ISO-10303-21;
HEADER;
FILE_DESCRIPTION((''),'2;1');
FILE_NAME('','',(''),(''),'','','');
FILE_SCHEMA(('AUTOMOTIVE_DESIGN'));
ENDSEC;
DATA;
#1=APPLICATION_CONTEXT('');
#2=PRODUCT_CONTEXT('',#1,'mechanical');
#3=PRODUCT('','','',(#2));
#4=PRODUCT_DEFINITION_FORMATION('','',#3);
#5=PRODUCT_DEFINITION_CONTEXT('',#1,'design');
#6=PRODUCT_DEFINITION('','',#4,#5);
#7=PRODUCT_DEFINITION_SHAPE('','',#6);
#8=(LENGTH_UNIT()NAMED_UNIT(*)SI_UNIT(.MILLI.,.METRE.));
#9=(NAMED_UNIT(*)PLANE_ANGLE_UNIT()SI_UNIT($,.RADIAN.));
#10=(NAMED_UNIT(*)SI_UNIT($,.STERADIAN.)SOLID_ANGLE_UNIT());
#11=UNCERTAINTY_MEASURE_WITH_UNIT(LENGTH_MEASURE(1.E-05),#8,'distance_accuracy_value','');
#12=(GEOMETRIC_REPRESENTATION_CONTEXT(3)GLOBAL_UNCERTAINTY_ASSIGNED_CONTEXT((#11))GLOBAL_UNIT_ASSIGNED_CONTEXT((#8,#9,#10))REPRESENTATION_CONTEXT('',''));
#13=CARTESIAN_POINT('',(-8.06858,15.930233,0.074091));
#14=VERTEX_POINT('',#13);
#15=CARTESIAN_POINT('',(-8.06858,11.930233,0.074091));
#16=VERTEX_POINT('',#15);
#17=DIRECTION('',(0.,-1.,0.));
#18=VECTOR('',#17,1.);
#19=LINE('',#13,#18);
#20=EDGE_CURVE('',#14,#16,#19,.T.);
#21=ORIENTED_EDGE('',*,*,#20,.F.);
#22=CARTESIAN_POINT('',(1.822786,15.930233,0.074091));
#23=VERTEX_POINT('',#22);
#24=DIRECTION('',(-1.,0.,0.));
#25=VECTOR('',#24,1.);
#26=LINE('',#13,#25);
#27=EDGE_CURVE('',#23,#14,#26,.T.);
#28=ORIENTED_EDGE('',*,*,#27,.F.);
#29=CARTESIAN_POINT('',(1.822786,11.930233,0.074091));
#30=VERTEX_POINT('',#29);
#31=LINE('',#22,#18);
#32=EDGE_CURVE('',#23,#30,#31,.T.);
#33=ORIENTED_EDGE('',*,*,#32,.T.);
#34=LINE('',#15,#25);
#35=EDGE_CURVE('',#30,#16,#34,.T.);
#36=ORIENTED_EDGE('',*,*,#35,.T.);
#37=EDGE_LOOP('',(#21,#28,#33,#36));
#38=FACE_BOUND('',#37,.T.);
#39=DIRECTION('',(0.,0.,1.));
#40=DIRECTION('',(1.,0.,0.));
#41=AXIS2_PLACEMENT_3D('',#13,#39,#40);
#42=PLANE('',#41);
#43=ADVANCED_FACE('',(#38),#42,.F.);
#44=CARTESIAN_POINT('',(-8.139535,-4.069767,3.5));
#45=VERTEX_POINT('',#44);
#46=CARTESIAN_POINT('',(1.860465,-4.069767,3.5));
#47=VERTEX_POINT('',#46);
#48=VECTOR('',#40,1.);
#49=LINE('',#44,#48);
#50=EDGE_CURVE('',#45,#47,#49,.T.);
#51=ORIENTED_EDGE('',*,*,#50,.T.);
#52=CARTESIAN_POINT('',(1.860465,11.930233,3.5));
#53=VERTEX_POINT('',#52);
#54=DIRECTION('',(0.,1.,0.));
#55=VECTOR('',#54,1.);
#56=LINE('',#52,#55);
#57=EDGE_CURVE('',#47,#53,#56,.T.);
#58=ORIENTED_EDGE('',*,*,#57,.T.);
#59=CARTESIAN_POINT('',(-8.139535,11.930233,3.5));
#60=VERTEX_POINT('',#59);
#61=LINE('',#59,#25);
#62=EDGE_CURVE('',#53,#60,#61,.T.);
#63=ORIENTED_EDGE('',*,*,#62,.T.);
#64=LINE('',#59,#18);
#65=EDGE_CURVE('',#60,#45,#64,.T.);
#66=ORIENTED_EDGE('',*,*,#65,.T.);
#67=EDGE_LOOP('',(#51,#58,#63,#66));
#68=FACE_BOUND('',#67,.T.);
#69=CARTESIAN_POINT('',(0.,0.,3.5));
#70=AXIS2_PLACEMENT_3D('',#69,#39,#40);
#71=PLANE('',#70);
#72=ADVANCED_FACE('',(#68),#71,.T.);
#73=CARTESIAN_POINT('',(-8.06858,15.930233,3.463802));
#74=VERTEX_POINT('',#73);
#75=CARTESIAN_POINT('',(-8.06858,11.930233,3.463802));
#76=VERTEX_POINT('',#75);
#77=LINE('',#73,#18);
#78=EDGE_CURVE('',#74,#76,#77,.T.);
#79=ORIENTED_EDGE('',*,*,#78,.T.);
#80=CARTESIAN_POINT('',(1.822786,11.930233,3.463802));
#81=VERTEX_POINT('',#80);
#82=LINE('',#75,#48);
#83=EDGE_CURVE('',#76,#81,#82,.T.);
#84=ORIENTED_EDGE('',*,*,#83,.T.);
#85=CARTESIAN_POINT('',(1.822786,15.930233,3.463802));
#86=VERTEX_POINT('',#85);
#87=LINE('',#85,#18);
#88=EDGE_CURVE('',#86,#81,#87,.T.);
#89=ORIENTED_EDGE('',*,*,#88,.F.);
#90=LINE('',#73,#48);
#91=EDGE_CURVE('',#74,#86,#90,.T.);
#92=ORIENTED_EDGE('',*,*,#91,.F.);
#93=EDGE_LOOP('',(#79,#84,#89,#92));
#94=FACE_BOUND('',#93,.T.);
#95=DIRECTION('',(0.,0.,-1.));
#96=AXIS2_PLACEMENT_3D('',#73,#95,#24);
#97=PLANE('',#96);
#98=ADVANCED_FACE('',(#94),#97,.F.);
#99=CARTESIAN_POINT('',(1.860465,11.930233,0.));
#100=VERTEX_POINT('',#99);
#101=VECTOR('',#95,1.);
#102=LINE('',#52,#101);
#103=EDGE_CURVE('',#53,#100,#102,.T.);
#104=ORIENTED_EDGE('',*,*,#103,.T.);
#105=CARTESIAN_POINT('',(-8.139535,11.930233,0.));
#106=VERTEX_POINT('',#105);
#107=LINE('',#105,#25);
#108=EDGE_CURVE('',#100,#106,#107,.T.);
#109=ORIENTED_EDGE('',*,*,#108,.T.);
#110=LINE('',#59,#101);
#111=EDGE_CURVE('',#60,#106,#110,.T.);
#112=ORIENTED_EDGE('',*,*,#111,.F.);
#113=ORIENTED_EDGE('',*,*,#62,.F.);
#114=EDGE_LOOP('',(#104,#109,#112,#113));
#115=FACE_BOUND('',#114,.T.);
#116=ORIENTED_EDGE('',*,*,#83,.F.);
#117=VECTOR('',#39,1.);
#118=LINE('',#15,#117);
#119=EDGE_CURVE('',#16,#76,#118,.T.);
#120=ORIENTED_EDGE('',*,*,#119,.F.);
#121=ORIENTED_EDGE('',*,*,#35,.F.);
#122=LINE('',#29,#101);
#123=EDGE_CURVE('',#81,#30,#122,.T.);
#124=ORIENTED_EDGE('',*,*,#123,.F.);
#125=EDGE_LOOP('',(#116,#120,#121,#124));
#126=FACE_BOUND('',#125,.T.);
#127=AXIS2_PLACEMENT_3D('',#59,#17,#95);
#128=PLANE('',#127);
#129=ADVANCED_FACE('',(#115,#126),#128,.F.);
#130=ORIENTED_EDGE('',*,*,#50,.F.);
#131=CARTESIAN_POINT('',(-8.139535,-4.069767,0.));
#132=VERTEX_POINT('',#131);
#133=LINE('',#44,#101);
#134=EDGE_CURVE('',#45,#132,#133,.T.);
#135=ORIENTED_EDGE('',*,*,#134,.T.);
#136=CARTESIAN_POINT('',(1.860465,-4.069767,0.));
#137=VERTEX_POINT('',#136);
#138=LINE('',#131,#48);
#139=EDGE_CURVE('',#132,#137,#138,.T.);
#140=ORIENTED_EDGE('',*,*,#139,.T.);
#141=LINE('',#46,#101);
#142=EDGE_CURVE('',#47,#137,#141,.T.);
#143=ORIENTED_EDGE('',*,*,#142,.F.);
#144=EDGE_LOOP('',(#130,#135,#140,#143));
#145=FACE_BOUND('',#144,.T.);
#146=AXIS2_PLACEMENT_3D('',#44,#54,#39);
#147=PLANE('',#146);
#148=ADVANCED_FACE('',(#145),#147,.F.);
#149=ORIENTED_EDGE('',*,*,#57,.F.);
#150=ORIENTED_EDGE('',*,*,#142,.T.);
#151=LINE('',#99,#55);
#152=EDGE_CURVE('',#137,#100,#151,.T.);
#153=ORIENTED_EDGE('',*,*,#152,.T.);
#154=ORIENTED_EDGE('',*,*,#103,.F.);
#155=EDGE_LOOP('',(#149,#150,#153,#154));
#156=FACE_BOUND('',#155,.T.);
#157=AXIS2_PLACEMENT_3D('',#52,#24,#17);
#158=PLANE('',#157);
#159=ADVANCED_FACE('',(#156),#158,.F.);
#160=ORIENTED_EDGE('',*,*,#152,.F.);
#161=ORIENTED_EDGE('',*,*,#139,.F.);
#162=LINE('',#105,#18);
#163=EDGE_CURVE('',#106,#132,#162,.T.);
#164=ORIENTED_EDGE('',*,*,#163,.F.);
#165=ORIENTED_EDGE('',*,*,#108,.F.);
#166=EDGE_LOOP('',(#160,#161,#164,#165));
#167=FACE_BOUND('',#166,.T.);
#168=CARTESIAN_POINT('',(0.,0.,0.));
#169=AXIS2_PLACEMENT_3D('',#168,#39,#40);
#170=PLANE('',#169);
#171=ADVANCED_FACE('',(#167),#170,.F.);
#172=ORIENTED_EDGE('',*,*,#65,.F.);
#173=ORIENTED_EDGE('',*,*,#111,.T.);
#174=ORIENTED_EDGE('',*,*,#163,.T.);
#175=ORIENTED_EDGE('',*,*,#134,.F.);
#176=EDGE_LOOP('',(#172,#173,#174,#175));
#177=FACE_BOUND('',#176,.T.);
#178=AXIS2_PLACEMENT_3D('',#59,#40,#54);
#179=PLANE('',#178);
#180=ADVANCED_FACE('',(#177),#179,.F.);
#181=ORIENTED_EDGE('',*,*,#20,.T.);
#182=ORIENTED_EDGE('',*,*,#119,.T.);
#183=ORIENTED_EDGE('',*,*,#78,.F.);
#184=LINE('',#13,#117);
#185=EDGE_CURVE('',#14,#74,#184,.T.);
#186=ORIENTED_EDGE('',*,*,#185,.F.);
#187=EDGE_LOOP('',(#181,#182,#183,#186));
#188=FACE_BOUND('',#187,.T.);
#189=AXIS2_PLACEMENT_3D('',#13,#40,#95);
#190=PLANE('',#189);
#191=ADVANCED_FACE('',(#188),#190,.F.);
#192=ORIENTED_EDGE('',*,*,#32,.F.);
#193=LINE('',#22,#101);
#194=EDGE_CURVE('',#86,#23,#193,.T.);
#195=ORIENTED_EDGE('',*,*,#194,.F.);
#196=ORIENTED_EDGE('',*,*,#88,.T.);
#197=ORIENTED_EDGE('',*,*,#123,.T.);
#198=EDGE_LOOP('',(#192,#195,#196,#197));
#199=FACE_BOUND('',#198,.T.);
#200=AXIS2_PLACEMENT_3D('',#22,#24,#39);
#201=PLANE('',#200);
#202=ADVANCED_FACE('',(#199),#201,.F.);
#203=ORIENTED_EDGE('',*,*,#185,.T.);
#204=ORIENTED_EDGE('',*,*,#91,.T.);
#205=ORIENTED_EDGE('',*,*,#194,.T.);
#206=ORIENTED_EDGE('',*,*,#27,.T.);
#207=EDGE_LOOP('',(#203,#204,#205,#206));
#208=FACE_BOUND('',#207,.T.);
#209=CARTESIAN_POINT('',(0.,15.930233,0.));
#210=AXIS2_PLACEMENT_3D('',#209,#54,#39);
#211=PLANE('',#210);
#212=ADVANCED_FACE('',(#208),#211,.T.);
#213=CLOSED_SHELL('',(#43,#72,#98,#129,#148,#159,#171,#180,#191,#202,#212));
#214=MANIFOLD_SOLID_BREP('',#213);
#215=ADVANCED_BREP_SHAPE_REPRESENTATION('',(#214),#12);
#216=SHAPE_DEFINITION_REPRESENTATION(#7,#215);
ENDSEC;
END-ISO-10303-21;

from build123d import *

# Parameters (mm, degrees)
SKETCH1_W           = 10
SKETCH1_H           = 16
BOSS_EXTRUDE1_DEPTH = 3.5
SKETCH3_W           = 9.891365743
SKETCH3_H           = 3.389710688
BOSS_EXTRUDE4_DEPTH = 4


with BuildPart() as part:
    # Sketch1 → Boss-Extrude1 (new body)
    with BuildSketch(Plane.XY):
        with Locations((-3.139534884, 3.930232558)):
            Rectangle(SKETCH1_W, SKETCH1_H)
    extrude(amount=BOSS_EXTRUDE1_DEPTH)

    # Sketch3 → Boss-Extrude4 (add)
    with BuildSketch(Plane(origin=(0, 11.930232558, 0), x_dir=(1, 0, 0), z_dir=(0, 1, 0))):
        with Locations((-3.122896663, -1.768946669)):
            Rectangle(SKETCH3_W, SKETCH3_H)
    extrude(amount=BOSS_EXTRUDE4_DEPTH)


solid = part.part
